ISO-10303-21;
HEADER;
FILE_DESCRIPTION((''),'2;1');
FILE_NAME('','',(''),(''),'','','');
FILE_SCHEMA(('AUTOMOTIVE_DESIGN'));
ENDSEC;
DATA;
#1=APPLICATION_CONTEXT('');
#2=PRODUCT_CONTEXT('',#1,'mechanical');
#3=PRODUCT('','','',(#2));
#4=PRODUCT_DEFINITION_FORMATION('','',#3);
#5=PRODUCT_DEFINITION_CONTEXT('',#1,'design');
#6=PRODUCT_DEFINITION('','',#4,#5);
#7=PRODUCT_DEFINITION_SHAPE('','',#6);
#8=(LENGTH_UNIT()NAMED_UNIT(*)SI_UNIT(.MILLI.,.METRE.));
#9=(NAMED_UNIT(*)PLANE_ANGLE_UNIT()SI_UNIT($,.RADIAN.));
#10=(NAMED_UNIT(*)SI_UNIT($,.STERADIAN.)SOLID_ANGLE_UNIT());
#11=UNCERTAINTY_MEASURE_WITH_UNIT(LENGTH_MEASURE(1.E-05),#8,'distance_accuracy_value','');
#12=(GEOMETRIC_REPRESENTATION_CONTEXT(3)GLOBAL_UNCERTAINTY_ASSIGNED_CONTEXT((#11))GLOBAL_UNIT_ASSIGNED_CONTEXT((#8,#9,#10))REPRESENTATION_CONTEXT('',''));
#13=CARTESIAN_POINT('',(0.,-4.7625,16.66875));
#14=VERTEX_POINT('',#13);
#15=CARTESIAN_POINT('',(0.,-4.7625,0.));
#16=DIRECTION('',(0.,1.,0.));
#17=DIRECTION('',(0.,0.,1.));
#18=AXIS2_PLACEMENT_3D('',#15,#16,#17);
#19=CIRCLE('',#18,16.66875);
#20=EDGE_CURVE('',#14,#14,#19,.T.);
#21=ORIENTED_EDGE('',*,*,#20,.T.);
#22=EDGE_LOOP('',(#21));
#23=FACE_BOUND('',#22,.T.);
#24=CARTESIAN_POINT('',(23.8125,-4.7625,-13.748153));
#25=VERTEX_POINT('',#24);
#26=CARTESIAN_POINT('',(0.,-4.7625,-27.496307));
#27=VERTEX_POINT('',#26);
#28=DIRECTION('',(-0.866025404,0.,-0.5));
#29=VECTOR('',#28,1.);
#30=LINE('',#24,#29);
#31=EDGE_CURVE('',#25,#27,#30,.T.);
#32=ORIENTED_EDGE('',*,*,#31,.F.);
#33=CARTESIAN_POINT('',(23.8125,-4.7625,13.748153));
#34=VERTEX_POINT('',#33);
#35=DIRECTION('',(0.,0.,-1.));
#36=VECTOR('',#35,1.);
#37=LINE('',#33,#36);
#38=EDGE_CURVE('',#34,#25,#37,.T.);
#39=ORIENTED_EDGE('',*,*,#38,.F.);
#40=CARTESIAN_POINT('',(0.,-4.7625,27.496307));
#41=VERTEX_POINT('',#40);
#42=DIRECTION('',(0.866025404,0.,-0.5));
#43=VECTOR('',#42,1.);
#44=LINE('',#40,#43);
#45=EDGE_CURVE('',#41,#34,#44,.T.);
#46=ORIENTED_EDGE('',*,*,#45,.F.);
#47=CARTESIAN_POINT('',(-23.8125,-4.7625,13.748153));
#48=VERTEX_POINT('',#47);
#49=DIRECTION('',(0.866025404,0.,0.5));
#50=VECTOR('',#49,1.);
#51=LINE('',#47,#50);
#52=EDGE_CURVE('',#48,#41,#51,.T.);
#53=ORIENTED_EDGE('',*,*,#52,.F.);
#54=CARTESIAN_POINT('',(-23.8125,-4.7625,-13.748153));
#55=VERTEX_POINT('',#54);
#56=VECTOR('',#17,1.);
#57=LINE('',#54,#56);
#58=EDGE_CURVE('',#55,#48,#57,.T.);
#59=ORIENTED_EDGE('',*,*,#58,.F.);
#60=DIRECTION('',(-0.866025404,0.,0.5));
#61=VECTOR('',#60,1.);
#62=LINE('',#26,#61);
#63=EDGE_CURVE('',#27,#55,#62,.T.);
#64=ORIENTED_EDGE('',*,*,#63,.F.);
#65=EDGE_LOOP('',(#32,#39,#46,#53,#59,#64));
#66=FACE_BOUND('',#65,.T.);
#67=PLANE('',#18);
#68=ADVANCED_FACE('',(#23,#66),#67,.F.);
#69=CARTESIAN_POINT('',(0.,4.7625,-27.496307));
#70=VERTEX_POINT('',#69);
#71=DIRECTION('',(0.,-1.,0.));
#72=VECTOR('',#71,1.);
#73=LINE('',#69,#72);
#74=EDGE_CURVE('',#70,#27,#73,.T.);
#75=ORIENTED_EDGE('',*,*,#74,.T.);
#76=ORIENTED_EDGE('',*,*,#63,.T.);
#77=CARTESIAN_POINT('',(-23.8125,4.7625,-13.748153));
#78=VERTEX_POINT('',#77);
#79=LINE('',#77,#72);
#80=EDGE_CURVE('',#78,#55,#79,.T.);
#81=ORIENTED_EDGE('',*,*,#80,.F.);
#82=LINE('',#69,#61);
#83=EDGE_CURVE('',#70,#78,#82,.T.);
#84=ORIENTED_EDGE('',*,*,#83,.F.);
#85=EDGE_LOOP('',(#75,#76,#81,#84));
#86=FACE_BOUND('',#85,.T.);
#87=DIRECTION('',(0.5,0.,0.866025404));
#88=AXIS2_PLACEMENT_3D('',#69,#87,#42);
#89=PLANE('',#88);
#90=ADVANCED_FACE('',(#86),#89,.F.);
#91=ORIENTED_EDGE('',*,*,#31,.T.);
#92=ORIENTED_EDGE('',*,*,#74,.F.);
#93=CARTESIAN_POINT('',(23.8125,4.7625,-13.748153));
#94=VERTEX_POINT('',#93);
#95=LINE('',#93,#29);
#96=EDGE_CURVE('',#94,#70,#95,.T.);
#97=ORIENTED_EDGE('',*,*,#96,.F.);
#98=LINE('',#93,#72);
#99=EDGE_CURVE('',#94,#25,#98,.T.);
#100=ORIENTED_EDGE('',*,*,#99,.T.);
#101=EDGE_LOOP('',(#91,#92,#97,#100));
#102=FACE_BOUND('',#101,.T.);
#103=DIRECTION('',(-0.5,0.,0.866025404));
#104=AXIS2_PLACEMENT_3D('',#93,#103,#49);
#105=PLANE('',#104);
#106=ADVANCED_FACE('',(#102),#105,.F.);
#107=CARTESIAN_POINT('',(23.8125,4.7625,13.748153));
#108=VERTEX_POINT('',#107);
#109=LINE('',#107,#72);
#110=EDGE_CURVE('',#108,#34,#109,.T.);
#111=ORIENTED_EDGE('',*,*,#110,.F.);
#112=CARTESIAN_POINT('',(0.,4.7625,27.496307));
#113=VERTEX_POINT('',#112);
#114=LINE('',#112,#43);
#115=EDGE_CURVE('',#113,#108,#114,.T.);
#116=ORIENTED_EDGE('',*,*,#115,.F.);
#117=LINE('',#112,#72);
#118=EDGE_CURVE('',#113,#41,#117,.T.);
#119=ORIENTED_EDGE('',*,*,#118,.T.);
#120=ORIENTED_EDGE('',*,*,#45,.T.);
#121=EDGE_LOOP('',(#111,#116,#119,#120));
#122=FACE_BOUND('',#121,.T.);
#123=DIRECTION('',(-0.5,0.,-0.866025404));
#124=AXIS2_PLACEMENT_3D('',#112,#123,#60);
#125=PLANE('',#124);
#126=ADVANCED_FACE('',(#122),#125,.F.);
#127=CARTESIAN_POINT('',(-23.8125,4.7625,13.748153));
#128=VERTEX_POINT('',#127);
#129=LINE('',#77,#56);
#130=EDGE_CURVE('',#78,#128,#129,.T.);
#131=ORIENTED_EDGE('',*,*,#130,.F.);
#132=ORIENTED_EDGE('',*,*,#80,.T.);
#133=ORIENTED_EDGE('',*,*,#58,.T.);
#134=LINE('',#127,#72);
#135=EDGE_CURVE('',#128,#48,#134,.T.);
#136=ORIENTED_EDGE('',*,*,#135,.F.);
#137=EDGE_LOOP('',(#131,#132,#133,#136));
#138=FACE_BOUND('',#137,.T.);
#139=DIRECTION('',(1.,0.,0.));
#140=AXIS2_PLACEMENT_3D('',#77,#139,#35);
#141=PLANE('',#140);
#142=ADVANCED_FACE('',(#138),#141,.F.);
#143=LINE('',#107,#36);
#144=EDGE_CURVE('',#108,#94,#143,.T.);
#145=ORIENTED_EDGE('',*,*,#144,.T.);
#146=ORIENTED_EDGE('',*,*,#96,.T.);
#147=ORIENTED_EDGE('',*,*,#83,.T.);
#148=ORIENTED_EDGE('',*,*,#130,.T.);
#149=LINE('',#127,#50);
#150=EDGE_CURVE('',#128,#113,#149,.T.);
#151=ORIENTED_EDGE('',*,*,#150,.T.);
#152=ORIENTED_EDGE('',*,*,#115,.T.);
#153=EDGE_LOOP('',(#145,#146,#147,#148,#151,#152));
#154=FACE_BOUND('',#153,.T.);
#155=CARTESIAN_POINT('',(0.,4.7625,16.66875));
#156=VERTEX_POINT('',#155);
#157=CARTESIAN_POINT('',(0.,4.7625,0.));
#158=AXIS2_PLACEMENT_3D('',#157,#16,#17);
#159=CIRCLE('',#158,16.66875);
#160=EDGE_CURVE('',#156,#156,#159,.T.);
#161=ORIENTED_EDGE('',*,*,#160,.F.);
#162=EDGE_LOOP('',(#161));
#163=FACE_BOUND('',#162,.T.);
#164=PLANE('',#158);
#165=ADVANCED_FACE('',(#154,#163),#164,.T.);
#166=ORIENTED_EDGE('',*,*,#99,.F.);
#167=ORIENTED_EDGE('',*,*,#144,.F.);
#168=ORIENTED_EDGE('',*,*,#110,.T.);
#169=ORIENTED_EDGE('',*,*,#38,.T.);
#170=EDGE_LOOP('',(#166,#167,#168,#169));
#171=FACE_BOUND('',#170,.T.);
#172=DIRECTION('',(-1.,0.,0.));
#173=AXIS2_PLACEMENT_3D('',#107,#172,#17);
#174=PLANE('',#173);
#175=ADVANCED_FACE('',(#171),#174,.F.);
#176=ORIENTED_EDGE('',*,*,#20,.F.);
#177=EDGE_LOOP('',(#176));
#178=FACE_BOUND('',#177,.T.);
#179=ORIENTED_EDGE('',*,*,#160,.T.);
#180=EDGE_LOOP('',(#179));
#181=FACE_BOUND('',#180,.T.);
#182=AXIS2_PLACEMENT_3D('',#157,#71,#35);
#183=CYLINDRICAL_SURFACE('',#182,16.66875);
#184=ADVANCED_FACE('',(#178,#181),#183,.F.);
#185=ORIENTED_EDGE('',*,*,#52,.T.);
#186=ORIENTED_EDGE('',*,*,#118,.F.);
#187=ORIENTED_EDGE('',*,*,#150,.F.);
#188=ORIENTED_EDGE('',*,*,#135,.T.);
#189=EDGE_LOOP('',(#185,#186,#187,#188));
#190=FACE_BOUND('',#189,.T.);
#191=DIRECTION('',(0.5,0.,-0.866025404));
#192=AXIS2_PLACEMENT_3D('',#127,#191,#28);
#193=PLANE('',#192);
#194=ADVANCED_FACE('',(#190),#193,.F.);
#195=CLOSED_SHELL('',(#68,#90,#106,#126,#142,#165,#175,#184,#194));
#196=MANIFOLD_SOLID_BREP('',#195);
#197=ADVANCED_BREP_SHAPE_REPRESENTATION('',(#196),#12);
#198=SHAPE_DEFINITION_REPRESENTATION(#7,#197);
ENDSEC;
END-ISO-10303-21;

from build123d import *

# Parameters (mm, degrees)
SKETCH1_R           = 16.66875
BOSS_EXTRUDE1_DEPTH = 4.7625


with BuildPart() as part:
    # Sketch1 → Boss-Extrude1 (new body, symmetric)
    with BuildSketch(Plane(origin=(0, 0, 0), x_dir=(1, 0, 0), z_dir=(0, 1, 0))):
        Polygon((0, 27.49630657), (-23.8125, 13.748153285), (-23.8125, -13.748153285), (0, -27.49630657), (23.8125, -13.748153285), (23.8125, 13.748153285), align=None)
        Circle(SKETCH1_R, mode=Mode.SUBTRACT)
    extrude(amount=BOSS_EXTRUDE1_DEPTH, both=True)


solid = part.part
